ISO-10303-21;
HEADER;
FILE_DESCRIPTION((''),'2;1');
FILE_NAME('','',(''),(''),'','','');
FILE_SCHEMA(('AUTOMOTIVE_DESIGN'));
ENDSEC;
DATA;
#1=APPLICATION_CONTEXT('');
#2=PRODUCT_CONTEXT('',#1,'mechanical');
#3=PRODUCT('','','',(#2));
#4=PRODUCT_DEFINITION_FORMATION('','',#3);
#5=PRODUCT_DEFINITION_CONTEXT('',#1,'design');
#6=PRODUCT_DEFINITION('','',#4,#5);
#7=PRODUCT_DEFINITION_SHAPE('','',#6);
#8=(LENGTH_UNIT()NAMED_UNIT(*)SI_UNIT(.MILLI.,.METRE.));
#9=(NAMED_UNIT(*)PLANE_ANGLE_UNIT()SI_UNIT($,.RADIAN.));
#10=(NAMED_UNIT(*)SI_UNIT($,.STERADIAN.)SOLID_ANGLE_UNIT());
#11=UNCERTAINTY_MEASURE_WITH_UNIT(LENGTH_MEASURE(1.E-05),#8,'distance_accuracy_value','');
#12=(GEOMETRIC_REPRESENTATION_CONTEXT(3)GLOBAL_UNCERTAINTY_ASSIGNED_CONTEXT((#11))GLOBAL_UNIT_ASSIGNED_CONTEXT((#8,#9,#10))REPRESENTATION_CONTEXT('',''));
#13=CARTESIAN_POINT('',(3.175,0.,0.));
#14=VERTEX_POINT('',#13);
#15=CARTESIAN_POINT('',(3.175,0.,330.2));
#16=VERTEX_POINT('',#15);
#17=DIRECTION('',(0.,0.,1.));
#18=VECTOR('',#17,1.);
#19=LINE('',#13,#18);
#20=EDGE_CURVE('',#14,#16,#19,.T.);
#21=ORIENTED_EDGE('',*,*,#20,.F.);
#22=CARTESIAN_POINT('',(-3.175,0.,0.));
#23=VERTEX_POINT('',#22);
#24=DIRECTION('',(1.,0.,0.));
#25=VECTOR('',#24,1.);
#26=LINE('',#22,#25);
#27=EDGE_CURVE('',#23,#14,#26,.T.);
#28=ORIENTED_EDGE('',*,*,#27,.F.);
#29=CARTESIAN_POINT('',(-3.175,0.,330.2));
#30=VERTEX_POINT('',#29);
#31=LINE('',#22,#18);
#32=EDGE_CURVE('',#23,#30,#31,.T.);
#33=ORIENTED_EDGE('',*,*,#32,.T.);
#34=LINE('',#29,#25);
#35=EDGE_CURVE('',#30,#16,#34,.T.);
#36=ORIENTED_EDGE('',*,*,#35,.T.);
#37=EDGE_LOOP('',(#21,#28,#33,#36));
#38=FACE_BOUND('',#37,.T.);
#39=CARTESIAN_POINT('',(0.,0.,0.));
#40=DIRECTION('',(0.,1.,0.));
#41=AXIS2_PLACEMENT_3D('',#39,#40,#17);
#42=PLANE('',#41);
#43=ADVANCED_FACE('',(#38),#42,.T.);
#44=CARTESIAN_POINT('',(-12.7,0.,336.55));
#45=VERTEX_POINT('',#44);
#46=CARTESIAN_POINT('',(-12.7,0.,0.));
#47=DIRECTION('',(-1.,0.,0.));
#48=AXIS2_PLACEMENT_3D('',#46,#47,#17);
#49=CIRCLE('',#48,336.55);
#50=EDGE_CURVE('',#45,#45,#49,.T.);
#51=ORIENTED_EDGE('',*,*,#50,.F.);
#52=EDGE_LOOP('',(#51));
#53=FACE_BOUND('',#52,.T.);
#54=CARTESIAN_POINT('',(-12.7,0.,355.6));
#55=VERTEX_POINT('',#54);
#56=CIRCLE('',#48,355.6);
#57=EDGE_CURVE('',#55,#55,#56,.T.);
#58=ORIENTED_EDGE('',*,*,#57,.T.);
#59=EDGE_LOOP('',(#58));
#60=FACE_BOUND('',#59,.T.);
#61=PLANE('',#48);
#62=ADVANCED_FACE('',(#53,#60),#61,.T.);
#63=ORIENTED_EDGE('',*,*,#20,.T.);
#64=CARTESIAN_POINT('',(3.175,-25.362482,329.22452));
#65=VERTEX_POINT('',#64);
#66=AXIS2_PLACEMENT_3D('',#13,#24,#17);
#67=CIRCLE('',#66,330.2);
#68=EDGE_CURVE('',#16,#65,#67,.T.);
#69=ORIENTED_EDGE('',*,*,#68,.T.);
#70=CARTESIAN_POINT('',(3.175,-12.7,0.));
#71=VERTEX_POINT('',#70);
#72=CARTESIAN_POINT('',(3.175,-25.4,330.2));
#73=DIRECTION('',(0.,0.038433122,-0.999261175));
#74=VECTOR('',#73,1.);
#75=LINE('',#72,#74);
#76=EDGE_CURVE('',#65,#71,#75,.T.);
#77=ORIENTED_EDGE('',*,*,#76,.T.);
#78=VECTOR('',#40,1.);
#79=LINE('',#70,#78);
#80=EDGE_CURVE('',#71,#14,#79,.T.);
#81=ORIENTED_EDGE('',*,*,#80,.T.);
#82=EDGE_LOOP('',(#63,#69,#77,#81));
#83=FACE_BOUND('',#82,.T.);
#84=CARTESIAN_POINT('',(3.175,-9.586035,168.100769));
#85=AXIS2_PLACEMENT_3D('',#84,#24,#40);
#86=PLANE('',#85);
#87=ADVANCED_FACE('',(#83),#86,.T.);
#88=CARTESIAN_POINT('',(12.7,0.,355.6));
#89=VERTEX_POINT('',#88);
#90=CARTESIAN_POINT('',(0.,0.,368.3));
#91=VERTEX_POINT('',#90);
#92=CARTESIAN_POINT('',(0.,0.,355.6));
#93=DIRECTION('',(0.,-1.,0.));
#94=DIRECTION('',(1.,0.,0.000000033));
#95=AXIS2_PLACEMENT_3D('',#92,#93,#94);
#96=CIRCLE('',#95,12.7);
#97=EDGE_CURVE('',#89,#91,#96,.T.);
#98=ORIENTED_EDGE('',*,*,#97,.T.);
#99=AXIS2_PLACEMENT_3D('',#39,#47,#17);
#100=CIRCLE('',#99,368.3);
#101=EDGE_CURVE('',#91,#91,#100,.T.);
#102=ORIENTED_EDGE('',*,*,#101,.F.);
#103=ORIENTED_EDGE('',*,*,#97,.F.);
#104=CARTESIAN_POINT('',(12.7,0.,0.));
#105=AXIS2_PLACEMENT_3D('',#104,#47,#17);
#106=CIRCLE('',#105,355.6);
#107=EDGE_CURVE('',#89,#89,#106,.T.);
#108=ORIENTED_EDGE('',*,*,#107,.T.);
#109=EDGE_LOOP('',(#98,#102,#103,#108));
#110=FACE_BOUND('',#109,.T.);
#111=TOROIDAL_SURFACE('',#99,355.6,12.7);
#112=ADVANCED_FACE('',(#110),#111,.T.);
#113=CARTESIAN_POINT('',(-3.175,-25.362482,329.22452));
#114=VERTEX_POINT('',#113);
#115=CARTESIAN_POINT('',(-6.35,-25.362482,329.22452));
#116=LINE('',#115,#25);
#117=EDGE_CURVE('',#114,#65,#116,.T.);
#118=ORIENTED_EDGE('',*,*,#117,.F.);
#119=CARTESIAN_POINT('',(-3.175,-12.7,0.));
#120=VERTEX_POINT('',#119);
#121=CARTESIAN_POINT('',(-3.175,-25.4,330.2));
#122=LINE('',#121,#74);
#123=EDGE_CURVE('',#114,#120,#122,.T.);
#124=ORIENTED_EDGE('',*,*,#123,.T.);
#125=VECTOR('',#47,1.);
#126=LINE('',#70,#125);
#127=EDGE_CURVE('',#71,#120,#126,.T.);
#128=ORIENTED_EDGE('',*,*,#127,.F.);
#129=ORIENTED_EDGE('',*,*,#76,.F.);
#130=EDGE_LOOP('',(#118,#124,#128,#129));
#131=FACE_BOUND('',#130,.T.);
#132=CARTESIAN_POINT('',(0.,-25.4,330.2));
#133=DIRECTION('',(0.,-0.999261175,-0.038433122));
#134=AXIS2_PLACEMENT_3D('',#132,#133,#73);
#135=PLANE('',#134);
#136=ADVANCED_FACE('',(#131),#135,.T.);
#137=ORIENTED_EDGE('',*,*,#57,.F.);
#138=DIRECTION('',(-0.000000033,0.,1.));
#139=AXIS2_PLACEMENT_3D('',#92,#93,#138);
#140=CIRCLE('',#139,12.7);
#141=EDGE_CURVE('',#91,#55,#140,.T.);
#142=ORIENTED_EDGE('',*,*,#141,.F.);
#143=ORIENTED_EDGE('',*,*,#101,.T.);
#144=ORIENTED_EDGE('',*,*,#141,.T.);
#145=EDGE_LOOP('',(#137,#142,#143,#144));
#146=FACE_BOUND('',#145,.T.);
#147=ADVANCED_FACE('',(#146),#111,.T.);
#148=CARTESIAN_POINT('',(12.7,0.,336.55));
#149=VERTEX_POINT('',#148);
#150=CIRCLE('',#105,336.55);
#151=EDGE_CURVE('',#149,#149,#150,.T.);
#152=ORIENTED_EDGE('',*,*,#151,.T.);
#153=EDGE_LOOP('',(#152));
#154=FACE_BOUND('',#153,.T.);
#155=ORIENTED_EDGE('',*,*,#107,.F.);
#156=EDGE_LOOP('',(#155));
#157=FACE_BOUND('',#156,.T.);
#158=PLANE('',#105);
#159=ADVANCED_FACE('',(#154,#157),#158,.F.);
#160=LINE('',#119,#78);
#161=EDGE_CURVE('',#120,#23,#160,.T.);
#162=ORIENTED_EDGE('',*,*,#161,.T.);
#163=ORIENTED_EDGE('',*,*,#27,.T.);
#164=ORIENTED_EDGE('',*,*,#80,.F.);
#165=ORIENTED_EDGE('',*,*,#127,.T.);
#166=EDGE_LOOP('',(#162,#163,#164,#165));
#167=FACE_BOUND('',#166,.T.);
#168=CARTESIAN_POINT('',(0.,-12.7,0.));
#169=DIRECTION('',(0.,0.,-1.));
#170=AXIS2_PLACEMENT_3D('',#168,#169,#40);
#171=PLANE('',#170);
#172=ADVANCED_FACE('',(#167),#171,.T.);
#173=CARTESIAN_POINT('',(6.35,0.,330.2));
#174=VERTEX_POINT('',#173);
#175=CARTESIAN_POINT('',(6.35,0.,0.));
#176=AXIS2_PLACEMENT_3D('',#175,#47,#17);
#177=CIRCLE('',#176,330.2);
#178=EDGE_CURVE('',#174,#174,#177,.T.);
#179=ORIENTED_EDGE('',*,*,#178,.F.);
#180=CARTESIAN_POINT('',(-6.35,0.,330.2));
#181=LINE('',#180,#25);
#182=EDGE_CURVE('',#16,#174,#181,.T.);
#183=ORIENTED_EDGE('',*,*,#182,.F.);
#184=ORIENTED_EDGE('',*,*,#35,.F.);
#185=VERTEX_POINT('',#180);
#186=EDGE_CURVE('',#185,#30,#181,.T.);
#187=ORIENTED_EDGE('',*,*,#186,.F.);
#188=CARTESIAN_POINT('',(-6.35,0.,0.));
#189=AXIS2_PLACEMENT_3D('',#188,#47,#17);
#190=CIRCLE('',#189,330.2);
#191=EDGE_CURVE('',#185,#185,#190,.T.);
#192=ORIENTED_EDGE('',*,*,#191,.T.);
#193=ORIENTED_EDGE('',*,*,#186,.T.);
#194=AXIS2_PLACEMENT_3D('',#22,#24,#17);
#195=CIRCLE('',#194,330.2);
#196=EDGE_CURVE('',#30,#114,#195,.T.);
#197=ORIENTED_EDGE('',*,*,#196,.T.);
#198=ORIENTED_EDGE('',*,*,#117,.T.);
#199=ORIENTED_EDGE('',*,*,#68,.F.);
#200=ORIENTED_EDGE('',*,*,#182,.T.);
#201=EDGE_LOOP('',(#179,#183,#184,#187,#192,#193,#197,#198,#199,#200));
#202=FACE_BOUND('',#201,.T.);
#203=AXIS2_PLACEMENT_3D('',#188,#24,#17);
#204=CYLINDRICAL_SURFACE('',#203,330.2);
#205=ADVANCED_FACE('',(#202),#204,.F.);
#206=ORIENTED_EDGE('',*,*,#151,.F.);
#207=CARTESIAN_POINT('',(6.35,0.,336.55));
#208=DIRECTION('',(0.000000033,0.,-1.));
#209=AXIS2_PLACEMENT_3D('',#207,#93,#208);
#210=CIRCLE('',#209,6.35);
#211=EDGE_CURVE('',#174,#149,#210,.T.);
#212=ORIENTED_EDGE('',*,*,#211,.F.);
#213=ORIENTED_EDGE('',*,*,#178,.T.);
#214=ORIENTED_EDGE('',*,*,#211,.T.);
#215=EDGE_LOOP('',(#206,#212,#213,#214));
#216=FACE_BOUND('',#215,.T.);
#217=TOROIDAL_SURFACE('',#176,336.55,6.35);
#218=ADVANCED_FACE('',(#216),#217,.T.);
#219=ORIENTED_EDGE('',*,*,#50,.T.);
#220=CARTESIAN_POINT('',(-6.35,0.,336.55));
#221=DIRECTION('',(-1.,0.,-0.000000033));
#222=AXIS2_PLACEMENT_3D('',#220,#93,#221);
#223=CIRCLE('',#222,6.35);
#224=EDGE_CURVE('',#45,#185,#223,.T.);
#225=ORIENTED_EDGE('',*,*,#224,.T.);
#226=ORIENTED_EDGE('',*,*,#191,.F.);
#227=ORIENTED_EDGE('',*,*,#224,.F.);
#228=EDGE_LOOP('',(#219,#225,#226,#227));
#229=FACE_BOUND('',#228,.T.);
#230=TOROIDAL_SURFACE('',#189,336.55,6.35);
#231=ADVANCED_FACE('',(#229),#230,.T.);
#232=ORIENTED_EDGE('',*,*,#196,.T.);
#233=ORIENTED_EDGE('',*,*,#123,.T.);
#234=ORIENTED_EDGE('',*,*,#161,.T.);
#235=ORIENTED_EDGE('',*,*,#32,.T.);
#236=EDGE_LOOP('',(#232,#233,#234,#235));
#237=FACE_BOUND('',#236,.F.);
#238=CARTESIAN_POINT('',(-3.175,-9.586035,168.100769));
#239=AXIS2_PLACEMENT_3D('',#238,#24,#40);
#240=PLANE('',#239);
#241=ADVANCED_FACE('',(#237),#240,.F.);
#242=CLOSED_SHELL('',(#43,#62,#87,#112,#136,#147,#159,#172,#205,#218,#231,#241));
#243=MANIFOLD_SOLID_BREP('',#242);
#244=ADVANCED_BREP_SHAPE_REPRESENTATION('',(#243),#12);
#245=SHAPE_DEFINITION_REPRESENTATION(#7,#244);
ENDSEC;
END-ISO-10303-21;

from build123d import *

# Parameters (mm, degrees)
F3_DEPTH = 3.175


with BuildPart() as f1:
    # F0 (on Front) → F1 (revolve)
    with BuildSketch(Plane.XZ):
        with BuildLine():
            ThreePointArc((-12.7, 336.55), (-10.840128, 332.059872), (-6.35, 330.2))
            Line((-6.35, 330.2), (6.35, 330.2))
            ThreePointArc((6.35, 330.2), (10.840128, 332.059872), (12.7, 336.55))
            Line((12.7, 336.55), (12.7, 355.6))
            ThreePointArc((12.7, 355.6), (8.980256, 364.580256), (0, 368.3))
            ThreePointArc((0, 368.3), (-8.980256, 364.580256), (-12.7, 355.6))
            Line((-12.7, 355.6), (-12.7, 336.55))
        make_face()
    revolve(axis=Axis((-90.849288, 0, 0), (-1, 0, 0)))

    # F2 (on Right) → F3 (join, symmetric)
    with BuildSketch(Plane.YZ):
        Polygon((-12.7, 0), (0, 0), (0, 330.2), (-25.4, 330.2), align=None)
    extrude(amount=F3_DEPTH, both=True)


solid = f1.part
